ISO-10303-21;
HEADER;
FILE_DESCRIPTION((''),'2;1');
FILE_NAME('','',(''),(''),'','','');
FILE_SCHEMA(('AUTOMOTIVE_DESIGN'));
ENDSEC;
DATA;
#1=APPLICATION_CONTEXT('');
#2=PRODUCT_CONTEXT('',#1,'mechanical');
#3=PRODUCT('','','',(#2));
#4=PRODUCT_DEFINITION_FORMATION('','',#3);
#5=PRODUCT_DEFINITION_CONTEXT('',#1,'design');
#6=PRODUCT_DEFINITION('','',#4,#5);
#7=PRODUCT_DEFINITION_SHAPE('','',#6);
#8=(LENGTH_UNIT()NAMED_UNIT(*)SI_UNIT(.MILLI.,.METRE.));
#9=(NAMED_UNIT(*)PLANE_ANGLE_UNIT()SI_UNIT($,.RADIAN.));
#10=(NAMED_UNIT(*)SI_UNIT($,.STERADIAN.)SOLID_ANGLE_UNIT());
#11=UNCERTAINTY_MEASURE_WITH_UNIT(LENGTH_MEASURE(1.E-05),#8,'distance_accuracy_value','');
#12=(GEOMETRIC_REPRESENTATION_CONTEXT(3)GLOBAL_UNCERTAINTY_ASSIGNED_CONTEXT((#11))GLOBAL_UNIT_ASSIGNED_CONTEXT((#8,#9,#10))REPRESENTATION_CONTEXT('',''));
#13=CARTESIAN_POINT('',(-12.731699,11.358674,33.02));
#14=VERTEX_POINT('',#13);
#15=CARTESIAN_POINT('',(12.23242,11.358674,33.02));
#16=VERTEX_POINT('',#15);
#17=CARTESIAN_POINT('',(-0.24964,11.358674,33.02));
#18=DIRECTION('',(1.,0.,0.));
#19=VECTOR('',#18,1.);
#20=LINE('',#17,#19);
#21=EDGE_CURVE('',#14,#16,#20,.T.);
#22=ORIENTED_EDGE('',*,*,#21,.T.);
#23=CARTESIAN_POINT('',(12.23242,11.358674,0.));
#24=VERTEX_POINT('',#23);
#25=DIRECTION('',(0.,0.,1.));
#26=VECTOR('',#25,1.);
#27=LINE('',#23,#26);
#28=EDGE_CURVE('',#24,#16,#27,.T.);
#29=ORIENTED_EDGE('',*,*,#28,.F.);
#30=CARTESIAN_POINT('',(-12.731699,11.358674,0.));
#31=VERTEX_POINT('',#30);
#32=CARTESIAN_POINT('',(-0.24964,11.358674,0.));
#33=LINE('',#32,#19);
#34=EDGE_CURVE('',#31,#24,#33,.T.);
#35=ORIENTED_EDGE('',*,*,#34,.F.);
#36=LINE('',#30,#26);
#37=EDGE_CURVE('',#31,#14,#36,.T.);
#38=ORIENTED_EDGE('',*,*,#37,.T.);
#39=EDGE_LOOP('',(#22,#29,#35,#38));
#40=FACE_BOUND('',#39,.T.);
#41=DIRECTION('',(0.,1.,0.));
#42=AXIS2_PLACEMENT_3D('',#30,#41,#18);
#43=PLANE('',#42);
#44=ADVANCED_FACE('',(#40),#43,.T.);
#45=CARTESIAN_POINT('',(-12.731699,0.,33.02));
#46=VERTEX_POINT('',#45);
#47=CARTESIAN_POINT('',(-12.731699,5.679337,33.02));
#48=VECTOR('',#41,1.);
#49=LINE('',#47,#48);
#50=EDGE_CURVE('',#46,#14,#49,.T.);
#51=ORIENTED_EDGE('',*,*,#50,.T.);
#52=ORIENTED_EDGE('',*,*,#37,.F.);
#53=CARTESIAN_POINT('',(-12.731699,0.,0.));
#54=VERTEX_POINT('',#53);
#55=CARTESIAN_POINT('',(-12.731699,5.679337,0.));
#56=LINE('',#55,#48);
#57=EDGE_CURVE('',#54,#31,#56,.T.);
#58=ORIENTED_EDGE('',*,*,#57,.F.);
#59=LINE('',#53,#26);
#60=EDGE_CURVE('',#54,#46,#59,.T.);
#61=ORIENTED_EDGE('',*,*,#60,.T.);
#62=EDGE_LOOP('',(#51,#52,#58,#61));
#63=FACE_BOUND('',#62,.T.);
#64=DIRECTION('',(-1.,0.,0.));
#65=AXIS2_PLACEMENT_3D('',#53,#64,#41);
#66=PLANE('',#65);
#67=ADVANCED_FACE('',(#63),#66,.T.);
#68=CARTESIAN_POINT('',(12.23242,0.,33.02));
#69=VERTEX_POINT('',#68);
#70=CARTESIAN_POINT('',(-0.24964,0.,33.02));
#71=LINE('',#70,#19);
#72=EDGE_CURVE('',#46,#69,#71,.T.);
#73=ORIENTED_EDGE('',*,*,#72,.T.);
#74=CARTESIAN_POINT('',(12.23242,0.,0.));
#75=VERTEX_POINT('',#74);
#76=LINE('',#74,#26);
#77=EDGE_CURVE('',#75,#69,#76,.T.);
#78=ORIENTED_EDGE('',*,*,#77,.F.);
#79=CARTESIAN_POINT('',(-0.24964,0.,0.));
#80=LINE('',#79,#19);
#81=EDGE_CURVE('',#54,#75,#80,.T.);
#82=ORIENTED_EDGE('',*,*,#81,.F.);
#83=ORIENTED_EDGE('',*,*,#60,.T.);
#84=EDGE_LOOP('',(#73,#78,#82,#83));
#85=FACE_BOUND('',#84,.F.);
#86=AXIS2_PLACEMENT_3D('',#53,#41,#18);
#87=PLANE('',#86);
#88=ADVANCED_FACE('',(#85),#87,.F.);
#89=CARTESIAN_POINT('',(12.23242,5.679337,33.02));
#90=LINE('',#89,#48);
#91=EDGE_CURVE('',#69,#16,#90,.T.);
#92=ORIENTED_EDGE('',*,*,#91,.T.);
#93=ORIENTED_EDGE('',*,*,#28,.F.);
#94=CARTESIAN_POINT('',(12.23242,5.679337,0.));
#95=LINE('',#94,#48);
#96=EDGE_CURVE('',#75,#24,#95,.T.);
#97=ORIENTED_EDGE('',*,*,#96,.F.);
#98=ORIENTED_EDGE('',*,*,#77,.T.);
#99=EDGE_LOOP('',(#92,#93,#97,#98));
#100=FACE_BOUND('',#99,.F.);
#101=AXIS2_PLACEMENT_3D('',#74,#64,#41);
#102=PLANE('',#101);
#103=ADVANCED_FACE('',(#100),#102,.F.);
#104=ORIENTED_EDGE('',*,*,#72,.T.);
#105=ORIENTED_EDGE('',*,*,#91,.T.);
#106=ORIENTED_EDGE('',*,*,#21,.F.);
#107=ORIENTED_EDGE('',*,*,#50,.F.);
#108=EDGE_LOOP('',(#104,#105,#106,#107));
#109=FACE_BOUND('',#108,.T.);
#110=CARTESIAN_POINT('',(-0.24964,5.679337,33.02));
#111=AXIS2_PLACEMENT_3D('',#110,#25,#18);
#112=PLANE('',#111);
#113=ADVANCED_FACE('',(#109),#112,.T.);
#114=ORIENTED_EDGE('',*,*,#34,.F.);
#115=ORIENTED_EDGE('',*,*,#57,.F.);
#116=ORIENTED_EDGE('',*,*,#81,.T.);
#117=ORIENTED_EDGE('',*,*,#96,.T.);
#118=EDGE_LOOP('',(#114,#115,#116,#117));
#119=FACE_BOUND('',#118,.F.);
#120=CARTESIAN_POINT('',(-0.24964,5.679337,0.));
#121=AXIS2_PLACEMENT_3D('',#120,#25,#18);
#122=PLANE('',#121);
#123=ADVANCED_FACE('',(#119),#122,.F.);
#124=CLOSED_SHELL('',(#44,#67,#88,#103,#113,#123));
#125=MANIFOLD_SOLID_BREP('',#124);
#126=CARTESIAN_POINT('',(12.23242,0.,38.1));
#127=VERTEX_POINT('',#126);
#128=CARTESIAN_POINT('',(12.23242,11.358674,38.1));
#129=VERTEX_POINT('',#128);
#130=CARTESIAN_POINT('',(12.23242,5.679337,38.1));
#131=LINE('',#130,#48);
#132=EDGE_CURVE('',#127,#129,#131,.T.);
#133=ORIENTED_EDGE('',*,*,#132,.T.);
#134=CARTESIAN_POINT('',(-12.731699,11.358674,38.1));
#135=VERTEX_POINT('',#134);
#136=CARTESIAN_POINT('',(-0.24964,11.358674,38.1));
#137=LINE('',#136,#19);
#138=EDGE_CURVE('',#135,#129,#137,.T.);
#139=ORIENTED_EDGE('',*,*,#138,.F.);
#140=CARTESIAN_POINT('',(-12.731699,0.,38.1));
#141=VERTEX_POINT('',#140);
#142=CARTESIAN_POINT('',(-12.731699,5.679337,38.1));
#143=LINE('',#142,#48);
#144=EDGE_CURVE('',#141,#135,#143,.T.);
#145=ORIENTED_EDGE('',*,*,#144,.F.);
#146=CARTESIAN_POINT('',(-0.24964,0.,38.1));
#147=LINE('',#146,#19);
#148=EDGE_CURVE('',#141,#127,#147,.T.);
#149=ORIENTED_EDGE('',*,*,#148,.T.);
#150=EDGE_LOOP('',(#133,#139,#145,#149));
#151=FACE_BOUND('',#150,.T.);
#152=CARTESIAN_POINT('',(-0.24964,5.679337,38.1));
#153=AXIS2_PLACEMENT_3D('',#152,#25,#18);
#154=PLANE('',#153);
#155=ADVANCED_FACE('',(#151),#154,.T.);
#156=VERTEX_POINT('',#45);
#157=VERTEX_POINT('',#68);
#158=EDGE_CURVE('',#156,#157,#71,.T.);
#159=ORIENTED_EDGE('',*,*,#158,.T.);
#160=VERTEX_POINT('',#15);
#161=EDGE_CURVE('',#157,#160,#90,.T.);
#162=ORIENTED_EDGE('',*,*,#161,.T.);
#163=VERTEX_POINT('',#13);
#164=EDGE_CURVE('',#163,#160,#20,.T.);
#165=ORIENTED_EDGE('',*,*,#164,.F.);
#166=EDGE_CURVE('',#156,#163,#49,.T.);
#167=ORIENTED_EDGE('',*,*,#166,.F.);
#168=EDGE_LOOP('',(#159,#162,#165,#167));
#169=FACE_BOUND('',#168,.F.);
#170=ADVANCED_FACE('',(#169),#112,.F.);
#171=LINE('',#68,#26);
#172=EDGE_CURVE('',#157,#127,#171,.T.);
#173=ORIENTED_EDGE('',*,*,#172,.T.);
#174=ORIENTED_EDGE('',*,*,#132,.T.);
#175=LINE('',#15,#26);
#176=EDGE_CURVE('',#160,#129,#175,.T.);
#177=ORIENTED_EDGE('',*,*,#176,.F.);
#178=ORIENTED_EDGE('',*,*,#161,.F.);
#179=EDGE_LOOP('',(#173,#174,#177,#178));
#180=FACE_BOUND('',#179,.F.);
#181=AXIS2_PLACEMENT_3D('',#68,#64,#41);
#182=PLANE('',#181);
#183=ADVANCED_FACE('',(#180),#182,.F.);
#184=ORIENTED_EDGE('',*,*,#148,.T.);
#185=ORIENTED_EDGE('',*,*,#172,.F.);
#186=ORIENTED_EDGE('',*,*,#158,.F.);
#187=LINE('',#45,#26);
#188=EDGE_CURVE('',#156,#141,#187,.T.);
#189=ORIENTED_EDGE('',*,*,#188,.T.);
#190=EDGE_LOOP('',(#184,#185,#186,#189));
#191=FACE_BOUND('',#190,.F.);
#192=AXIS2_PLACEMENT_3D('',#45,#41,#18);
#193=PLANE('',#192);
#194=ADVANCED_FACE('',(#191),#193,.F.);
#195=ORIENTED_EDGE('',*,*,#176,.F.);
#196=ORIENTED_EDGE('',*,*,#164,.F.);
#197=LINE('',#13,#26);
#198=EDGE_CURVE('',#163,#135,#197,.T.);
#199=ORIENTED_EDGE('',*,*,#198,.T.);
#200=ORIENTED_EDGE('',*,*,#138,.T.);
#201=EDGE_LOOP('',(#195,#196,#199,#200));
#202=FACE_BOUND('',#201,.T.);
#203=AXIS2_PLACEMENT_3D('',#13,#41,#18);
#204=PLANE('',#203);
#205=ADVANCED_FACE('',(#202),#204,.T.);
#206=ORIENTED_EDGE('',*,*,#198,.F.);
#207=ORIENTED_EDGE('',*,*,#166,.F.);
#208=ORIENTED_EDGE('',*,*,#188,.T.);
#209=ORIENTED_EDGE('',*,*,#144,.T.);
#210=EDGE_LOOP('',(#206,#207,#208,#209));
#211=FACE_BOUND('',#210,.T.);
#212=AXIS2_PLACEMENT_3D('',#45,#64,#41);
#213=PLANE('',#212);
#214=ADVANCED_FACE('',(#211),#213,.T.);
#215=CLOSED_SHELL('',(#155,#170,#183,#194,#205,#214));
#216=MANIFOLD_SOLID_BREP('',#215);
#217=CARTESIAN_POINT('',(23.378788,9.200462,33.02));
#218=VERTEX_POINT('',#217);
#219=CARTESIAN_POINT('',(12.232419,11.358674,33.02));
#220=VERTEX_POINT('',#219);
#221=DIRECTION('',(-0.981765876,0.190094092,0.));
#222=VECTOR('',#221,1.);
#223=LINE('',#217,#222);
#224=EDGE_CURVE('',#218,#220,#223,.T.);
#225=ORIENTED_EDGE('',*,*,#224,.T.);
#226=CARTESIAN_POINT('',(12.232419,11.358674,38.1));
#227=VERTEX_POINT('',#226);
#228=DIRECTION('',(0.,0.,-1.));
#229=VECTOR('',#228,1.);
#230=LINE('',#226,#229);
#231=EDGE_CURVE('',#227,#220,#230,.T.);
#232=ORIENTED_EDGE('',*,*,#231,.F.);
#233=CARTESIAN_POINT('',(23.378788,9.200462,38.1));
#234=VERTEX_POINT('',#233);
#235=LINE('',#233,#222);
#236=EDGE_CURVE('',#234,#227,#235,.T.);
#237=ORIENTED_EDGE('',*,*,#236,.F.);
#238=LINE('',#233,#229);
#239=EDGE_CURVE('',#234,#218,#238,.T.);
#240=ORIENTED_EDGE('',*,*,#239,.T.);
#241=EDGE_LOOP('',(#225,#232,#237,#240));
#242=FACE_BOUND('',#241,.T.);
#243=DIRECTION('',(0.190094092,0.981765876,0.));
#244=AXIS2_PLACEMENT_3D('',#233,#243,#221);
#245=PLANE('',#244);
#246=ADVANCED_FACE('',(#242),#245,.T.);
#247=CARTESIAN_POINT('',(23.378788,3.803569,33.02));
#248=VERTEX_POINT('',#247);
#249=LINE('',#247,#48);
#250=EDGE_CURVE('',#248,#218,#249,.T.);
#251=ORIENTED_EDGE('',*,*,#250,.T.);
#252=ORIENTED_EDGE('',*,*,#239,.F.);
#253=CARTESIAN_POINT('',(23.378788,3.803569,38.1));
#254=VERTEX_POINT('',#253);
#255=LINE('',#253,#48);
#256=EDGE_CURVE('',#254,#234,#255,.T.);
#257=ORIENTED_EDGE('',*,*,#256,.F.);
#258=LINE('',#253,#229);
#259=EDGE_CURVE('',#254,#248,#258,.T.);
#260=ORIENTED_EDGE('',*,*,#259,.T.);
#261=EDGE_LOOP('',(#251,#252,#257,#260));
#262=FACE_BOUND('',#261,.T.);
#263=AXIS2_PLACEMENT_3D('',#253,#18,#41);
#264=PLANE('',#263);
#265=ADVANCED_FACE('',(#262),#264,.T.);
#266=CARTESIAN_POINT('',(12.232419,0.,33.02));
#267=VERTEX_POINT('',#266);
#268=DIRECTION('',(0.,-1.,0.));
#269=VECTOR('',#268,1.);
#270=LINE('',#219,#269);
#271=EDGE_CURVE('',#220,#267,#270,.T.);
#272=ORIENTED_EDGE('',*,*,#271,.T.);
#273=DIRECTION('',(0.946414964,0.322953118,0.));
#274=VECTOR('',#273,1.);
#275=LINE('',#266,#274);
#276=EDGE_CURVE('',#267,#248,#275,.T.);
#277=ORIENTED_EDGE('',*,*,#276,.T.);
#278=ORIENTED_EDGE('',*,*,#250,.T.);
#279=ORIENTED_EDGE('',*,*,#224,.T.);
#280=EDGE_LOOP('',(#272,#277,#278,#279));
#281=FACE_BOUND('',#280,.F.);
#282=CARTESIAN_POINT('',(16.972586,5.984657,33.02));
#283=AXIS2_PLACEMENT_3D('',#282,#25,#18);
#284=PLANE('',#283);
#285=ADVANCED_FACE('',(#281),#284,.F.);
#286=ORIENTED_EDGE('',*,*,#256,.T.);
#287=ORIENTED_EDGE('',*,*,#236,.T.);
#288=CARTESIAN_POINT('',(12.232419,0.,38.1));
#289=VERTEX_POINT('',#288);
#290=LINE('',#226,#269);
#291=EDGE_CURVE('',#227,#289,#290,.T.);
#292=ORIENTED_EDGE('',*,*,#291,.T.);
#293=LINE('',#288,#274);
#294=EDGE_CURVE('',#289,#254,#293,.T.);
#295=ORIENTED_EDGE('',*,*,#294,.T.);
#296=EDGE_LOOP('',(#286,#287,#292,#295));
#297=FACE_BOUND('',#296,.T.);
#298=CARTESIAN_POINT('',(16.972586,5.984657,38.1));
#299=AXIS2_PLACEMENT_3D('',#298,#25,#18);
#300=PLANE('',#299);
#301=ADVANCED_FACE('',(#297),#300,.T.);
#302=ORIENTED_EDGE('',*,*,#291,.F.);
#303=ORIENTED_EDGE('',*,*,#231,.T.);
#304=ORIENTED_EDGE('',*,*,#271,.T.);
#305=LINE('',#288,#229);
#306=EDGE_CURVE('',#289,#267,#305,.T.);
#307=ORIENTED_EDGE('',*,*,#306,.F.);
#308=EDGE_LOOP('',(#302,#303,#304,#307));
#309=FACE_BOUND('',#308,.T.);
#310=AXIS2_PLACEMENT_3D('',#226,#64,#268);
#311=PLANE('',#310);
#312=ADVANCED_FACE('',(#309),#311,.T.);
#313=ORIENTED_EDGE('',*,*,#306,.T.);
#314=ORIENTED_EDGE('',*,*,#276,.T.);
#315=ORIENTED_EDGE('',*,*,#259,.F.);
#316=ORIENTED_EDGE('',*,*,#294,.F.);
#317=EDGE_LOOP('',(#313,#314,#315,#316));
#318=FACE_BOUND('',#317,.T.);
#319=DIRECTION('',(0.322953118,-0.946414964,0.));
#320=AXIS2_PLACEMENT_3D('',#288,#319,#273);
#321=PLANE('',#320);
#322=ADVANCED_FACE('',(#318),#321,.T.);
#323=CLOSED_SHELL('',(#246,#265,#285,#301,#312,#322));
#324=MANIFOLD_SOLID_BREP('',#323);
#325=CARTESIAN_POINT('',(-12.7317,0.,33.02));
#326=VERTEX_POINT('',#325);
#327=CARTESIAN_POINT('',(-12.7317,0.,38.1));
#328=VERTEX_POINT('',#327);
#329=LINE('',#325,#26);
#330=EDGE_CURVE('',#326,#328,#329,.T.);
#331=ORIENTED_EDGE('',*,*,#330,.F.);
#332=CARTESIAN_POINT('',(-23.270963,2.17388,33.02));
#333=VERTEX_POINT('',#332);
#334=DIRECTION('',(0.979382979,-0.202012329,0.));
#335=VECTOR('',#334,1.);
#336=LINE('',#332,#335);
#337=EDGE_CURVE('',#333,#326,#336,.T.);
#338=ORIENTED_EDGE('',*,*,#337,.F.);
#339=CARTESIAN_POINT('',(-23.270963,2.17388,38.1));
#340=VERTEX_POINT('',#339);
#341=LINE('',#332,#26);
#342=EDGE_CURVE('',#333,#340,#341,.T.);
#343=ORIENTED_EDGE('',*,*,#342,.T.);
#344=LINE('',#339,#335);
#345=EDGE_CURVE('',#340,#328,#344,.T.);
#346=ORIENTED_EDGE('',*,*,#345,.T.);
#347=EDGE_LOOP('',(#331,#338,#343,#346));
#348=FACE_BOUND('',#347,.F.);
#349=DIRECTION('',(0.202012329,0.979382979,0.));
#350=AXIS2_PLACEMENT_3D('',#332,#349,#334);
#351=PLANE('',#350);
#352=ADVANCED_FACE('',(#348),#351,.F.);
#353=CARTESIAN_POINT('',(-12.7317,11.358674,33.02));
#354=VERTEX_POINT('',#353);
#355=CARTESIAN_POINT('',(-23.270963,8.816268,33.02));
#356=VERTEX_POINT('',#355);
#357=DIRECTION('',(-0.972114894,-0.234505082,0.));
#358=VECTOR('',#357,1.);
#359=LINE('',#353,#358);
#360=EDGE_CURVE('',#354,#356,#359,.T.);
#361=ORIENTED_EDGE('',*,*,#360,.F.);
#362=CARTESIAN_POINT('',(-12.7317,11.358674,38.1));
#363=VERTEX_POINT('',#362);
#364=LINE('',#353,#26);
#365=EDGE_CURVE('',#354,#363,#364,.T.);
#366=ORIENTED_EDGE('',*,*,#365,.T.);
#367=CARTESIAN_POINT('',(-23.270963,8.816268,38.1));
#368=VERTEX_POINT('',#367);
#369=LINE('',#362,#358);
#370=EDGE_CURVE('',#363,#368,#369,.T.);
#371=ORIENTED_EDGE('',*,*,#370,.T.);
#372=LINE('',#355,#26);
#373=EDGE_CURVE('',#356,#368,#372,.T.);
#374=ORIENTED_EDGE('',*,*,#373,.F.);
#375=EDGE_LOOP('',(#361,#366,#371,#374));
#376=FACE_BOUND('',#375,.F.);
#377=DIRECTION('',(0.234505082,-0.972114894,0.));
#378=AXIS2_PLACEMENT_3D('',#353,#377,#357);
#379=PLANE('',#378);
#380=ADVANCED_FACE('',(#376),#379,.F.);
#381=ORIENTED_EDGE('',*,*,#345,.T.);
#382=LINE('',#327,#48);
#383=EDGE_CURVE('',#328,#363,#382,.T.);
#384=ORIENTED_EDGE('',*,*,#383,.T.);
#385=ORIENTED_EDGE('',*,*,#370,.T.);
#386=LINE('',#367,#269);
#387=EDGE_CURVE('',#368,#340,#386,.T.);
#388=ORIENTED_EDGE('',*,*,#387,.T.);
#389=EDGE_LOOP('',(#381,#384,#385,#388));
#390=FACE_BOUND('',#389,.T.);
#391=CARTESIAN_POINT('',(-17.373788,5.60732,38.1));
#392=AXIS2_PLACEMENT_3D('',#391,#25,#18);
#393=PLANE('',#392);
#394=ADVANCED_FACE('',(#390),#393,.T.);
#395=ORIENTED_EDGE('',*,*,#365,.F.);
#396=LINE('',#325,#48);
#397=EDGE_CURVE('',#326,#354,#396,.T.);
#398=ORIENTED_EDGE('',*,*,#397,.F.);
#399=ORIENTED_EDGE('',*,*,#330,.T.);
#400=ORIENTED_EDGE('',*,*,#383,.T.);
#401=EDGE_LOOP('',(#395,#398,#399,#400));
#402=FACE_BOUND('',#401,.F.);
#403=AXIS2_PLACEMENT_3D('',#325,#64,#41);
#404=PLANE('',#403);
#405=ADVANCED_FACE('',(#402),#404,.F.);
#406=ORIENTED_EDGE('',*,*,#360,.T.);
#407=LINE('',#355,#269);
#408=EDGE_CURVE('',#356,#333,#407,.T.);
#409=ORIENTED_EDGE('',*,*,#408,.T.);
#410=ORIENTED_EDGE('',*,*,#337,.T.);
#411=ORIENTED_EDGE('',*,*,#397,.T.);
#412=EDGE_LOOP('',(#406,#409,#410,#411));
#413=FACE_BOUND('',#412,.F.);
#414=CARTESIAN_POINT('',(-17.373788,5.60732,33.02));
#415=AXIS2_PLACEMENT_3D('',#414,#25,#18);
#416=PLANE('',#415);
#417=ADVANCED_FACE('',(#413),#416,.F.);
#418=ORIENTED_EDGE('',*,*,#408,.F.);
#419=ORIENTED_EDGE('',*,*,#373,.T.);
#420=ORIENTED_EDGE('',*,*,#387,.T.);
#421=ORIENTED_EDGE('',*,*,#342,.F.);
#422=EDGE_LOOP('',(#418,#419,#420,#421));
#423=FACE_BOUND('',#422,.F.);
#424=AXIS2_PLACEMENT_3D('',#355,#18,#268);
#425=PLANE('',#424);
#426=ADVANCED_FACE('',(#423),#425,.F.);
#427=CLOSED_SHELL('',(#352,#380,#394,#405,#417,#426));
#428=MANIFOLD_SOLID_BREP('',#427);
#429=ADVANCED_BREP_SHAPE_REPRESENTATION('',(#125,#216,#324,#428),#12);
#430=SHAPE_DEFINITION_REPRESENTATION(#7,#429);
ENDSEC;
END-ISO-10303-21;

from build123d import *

# Parameters (mm, degrees)
F0_W     = 24.964119
F0_H     = 11.358674
F1_DEPTH = 33.02
F3_DEPTH = 5.08
F4_W     = 24.964119
F4_H     = 11.358674
F5_DEPTH = 5.08
F7_DEPTH = 5.08


with BuildPart() as f1:
    # F0 (on Top) → F1 (new body)
    with BuildSketch(Plane.XY):
        with Locations((-0.24964, 5.679337)):
            Rectangle(F0_W, F0_H)
    extrude(amount=F1_DEPTH)


with BuildPart() as f3:
    # F2 (on face) → F3 (new body)
    with BuildSketch(Plane.XY.offset(33.02)):
        Polygon((-12.7317, 0), (-12.7317, 11.358674), (-23.270963, 8.816268), (-23.270963, 2.17388), align=None)
    extrude(amount=F3_DEPTH)


with BuildPart() as f5:
    # F4 (on face) → F5 (new body)
    with BuildSketch(Plane.XY.offset(33.02)):
        with Locations((-0.24964, 5.679337)):
            Rectangle(F4_W, F4_H)
    extrude(amount=F5_DEPTH)


with BuildPart() as f7:
    # F6 (on face) → F7 (new body)
    with BuildSketch(Plane.XY.offset(38.1)):
        Polygon((23.378788, 9.200462), (12.232419, 11.358674), (12.232419, 0), (23.378788, 3.803569), align=None)
    extrude(amount=-F7_DEPTH)


solid = Compound([f1.part, f3.part, f5.part, f7.part])
